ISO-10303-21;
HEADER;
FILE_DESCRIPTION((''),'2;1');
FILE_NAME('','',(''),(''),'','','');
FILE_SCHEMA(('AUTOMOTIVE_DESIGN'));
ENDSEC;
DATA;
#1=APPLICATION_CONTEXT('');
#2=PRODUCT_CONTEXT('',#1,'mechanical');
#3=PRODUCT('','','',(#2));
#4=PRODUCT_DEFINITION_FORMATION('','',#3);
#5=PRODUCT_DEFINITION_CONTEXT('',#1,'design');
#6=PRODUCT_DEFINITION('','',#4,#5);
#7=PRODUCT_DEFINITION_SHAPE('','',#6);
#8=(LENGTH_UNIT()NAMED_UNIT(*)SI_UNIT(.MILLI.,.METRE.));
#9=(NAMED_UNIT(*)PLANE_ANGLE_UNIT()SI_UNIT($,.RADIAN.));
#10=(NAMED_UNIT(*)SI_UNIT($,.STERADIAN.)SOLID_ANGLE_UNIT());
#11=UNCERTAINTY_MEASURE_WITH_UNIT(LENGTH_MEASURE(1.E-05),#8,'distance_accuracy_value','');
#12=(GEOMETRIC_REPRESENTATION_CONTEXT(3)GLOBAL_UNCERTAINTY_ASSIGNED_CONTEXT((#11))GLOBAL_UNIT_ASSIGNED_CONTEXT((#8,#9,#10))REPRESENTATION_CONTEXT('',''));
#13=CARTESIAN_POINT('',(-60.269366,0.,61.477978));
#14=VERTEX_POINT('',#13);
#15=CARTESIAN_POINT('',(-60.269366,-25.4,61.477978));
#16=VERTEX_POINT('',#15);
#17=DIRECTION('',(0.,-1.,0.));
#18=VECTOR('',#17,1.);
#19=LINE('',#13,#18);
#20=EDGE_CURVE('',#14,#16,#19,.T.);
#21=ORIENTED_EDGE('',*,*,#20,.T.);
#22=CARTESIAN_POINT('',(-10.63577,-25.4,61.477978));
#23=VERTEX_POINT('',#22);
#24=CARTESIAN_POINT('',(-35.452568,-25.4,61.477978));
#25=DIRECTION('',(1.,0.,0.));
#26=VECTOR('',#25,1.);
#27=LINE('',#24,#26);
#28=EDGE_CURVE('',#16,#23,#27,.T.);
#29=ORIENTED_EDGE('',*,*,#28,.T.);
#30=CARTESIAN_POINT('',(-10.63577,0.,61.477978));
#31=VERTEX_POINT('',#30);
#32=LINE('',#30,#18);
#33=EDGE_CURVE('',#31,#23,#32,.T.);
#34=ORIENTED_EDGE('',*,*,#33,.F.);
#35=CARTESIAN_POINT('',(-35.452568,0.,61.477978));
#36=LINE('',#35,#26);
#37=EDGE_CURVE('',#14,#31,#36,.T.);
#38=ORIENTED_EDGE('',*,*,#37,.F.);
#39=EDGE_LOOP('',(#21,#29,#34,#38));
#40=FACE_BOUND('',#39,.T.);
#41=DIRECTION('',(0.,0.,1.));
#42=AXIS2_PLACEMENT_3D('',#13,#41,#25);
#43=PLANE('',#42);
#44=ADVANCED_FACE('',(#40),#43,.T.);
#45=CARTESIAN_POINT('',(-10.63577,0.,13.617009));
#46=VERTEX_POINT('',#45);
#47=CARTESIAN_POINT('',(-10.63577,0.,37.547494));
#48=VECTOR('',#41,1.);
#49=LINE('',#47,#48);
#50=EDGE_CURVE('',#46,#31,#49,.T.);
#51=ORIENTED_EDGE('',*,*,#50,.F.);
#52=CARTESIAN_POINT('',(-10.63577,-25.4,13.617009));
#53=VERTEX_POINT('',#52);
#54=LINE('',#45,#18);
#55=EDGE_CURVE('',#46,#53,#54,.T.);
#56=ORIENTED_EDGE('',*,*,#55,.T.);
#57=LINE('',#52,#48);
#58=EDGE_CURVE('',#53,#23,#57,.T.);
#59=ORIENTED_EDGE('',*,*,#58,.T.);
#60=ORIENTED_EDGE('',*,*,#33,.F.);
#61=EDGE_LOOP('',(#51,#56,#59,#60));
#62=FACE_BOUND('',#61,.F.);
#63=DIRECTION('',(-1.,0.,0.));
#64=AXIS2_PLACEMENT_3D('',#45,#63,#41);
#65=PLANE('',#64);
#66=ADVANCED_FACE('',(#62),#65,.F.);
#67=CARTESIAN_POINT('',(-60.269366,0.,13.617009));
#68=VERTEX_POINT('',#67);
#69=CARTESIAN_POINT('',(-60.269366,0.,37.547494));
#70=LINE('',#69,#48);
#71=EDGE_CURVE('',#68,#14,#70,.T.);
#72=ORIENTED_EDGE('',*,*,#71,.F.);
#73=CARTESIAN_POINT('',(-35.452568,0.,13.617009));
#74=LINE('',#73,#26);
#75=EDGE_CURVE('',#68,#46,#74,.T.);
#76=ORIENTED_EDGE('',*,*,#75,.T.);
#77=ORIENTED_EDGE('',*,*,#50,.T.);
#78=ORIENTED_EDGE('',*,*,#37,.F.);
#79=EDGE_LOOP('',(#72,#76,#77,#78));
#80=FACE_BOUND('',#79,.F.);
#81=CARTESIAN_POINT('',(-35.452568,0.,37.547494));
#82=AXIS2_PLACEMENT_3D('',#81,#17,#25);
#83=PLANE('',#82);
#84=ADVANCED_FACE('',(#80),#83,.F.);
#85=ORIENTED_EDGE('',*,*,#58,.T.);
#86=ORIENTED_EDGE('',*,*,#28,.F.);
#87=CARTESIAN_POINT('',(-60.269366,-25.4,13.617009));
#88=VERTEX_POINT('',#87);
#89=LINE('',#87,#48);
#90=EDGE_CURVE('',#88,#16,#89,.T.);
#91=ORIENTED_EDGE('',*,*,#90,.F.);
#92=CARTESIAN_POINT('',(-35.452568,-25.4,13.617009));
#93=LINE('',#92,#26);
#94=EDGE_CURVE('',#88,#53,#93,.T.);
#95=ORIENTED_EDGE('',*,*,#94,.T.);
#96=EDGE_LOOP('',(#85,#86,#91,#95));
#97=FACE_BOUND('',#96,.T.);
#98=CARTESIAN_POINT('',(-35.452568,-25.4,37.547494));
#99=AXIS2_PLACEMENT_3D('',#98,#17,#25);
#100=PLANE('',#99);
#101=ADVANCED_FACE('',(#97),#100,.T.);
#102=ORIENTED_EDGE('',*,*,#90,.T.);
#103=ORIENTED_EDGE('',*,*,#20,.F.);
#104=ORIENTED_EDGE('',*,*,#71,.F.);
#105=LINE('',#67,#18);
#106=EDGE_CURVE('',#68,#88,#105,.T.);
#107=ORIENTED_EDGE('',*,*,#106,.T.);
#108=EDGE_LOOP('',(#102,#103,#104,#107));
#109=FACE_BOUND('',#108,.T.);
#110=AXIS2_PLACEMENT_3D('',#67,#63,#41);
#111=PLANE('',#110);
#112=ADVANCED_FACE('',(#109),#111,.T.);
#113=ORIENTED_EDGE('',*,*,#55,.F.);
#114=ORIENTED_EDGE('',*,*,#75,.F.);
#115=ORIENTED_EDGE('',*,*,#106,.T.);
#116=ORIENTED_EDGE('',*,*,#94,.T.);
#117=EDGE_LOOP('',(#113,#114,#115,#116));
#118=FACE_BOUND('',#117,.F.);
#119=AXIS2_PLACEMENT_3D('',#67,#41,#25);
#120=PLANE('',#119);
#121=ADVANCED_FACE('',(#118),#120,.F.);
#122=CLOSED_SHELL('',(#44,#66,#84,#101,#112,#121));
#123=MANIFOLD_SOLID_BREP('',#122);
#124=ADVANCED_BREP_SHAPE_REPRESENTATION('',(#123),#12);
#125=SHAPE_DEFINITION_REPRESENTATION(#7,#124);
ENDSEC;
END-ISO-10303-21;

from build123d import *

# Parameters (mm, degrees)
F0_W      = 49.633597
F0_H      = 47.860969
F1_DEPTH  = 25.4
F2_W      = 27.072871
F2_H      = 22.077278
F3_DEPTH  = 25.4
F1_FACE_W = 49.633598
F1_FACE_H = 47.860968
F4_DEPTH  = 25.4


with BuildPart() as f1:
    # F0 (on Front) → F1 (new body)
    with BuildSketch(Plane.XZ):
        with Locations((-35.452568, 37.547494)):
            Rectangle(F0_W, F0_H)
    extrude(amount=F1_DEPTH)

    # F2 (on face) → F3 (join)
    with BuildSketch(Plane.XZ.offset(25.4)):
        with Locations((-39.158972, 40.609304)):
            Rectangle(F2_W, F2_H)
    extrude(amount=-F3_DEPTH)

    # F1_face (on face) → F4 (cut)
    with BuildSketch(Plane(origin=(-35.452568, -25.4, 37.547493), x_dir=(1, 0, 0), z_dir=(0, -1, 0))):
        Rectangle(F1_FACE_W, F1_FACE_H)
    extrude(amount=F4_DEPTH, mode=Mode.SUBTRACT)


solid = f1.part
